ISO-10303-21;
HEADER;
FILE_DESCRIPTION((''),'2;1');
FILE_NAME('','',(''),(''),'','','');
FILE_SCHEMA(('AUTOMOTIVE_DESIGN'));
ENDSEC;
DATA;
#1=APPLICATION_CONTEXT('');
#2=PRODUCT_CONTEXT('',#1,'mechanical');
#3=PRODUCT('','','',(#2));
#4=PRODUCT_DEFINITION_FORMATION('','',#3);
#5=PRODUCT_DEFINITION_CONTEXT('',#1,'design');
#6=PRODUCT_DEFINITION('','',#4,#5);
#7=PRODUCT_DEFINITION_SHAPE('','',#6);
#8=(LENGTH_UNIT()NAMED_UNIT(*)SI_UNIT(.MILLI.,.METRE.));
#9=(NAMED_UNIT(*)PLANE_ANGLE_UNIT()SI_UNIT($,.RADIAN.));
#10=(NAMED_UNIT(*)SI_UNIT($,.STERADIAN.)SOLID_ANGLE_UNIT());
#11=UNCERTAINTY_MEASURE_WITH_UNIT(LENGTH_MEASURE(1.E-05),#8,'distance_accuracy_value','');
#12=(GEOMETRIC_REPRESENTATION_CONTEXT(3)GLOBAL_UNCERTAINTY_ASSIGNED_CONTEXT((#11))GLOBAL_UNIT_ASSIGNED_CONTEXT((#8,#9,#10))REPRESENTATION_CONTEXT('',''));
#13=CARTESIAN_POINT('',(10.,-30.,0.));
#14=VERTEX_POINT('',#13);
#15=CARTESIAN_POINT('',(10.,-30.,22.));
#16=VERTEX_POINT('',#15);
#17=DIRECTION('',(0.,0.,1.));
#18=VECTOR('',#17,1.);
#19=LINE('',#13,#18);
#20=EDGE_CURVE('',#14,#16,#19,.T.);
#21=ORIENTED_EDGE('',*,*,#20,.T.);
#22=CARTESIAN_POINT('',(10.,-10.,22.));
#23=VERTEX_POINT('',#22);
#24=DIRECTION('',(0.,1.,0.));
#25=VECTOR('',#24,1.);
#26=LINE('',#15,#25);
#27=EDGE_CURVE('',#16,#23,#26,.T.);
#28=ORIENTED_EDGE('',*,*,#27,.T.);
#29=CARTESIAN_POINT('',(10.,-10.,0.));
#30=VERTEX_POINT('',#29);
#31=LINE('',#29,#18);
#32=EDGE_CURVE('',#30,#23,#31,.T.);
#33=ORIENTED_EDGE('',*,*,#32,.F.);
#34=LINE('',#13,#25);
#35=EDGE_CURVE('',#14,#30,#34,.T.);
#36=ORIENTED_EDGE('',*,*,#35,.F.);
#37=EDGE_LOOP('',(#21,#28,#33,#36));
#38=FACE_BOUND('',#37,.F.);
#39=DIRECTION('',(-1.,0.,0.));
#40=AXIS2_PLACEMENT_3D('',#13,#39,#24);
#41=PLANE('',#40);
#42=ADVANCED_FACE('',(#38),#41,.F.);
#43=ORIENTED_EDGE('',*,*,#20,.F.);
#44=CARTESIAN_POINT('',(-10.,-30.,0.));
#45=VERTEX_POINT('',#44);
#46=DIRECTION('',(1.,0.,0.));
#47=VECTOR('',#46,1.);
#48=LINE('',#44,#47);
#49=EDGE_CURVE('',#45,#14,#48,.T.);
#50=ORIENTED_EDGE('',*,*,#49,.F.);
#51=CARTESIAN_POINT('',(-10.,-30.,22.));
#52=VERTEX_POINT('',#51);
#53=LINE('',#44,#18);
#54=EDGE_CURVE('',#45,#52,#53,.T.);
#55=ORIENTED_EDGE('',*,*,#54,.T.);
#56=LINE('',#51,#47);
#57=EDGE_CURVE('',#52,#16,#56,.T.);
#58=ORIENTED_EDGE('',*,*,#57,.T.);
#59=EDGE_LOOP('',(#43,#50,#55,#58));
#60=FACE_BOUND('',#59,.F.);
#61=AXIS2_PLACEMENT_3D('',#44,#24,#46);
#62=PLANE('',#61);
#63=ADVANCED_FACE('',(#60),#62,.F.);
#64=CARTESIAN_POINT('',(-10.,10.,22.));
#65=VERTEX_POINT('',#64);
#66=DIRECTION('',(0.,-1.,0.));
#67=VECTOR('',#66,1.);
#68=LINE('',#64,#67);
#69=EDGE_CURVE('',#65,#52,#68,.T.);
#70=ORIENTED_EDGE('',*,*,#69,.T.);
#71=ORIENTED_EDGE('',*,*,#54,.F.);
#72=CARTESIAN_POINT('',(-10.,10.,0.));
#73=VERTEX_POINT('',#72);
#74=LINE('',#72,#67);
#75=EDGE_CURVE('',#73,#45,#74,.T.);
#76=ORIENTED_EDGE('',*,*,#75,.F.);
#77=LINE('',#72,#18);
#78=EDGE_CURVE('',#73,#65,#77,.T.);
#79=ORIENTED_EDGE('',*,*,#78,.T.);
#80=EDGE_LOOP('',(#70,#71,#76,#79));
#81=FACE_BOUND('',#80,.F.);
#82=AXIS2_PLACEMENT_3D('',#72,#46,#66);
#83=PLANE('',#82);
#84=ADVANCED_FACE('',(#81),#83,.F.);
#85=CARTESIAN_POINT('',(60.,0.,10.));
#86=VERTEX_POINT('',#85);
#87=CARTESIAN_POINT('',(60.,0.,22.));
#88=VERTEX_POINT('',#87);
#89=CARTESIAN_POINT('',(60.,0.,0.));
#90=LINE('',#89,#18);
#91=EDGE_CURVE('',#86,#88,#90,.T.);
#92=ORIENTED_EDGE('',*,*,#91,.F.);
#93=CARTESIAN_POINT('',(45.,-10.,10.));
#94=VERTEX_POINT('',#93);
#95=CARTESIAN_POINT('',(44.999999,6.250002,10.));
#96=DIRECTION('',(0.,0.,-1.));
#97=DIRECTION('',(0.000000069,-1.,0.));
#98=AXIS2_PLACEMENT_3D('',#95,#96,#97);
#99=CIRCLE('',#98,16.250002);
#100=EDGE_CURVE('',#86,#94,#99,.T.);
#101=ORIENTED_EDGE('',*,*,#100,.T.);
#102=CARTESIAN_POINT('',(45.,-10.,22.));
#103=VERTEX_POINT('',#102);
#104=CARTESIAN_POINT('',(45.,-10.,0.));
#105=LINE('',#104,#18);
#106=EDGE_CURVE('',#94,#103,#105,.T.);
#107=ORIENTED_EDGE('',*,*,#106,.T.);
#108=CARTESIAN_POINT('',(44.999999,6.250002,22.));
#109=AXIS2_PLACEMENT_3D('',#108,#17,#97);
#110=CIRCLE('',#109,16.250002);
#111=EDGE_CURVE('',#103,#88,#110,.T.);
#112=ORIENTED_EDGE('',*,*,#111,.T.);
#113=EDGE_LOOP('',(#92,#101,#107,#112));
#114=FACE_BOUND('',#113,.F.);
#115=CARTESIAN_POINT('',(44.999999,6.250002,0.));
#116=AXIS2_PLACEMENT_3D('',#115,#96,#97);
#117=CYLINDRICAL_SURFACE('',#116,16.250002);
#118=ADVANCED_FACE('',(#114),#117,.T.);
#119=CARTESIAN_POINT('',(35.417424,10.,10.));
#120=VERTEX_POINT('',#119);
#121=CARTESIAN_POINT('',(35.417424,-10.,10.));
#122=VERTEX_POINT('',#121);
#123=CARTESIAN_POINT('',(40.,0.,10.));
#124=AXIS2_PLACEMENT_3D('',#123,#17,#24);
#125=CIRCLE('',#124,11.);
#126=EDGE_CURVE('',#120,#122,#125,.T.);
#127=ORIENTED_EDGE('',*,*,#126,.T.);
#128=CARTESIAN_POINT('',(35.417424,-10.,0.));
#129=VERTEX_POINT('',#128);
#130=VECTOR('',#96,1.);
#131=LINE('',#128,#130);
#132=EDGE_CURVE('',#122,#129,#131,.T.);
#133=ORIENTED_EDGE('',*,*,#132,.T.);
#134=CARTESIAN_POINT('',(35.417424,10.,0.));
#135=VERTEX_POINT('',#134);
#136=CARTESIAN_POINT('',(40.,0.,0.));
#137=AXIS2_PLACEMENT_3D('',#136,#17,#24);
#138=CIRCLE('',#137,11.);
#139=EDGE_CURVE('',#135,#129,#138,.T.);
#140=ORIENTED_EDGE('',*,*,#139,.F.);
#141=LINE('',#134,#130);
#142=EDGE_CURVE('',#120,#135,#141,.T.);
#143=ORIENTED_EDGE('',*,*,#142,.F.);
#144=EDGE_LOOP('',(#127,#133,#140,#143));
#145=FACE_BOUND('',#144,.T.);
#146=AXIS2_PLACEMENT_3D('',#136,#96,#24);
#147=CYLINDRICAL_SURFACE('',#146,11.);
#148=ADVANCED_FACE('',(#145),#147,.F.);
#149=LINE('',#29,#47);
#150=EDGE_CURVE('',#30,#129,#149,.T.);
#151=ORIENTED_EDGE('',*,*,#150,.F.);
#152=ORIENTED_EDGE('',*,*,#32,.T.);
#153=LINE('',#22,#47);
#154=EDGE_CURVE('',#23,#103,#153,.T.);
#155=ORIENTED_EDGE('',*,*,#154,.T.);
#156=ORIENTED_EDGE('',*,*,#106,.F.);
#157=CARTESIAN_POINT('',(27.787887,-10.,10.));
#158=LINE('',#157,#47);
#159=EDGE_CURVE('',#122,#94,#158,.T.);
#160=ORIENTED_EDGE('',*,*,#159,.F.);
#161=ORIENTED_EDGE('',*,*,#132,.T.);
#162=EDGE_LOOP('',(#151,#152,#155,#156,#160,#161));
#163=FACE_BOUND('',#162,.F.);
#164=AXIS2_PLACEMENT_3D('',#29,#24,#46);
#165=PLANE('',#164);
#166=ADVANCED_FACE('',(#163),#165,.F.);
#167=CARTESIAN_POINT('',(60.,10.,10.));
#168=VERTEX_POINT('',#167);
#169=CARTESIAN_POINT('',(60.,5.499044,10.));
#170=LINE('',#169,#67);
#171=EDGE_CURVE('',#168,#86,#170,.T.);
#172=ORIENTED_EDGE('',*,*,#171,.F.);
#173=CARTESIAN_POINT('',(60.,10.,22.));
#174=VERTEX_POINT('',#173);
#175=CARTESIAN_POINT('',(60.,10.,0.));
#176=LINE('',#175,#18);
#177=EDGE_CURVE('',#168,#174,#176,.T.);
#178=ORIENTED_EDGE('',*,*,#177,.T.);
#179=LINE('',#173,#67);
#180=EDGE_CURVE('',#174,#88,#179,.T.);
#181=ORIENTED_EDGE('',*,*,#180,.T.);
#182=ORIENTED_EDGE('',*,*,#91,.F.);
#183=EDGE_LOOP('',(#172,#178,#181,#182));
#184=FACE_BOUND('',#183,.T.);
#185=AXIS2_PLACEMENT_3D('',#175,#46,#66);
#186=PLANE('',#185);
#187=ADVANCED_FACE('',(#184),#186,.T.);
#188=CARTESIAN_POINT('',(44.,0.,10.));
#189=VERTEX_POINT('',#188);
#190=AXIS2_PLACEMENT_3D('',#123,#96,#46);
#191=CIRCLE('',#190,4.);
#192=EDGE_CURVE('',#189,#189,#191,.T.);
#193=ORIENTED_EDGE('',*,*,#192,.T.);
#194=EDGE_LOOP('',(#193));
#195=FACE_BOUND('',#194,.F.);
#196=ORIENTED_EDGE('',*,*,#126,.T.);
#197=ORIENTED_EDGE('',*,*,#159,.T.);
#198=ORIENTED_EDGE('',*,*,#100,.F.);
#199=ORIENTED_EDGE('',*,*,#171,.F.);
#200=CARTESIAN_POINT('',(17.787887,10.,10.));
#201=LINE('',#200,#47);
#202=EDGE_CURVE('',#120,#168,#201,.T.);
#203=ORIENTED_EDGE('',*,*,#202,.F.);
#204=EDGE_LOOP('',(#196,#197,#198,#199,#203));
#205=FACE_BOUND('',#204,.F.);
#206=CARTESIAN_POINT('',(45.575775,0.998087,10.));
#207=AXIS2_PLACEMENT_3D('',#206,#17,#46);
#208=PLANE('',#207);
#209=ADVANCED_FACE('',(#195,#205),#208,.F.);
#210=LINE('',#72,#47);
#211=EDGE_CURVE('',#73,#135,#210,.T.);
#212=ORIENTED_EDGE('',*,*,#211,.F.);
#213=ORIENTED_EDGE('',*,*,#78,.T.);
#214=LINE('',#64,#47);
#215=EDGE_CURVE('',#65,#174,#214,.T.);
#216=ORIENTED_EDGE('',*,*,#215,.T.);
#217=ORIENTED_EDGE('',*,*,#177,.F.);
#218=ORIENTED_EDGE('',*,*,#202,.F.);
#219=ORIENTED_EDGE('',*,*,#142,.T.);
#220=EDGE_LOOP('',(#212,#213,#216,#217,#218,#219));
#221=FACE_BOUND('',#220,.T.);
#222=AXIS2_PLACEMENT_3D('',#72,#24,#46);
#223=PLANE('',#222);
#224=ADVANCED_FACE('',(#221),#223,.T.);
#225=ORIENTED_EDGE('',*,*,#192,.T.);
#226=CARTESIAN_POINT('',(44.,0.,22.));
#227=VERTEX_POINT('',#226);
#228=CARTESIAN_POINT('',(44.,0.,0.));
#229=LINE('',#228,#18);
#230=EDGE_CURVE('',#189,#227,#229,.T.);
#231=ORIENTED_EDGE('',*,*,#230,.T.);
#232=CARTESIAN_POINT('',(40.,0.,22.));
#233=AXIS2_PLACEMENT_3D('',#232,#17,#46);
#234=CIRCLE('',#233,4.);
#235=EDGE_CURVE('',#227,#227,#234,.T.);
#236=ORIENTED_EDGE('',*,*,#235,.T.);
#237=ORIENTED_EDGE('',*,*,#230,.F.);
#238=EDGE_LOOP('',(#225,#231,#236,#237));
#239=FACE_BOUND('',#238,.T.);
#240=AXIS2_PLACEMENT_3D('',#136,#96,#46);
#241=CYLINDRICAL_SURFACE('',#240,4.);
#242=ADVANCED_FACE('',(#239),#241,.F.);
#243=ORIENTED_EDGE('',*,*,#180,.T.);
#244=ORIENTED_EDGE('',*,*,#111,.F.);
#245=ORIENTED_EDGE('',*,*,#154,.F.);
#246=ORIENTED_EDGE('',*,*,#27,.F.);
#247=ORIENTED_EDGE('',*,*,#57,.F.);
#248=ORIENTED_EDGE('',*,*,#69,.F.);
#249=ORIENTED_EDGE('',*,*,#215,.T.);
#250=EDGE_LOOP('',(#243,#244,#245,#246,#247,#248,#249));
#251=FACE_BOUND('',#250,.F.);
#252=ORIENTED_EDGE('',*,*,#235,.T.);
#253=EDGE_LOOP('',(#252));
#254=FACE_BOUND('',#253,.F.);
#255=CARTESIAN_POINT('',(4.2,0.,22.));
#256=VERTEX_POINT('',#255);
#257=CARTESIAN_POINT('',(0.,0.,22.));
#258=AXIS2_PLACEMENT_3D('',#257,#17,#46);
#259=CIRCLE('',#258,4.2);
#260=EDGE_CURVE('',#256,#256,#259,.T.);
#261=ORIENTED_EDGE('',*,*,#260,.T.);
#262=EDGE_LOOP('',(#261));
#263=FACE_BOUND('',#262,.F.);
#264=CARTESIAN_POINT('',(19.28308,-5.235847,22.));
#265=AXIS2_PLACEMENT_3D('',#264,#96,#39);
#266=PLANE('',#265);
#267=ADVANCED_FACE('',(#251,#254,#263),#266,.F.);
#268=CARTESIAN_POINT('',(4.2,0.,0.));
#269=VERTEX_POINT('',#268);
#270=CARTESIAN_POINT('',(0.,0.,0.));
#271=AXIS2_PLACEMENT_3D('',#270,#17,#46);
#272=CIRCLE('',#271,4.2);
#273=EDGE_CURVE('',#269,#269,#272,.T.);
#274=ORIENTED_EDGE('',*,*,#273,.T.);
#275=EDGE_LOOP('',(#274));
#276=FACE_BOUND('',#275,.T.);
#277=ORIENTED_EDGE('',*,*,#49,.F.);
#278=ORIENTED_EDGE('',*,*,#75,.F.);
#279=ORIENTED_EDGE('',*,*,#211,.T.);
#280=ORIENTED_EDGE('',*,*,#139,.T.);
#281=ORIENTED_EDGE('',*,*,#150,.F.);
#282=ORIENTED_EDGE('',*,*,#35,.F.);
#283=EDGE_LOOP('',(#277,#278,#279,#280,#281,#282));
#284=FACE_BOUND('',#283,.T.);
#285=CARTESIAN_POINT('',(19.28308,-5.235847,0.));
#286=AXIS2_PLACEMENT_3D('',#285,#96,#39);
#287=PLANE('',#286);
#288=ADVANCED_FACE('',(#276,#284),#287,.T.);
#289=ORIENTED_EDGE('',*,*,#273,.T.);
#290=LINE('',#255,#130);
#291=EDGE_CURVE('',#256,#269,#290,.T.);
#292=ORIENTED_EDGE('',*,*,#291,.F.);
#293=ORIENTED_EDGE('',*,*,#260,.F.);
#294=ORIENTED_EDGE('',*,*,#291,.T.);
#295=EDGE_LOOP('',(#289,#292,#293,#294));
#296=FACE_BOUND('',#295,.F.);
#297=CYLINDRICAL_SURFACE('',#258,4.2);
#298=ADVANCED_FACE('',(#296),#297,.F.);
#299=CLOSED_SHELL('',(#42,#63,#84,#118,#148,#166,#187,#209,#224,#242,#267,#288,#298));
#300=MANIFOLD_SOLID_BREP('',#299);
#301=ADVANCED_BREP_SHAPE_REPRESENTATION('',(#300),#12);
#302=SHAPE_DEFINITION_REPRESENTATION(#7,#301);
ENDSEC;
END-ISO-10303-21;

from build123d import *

# Parameters (mm, degrees)
PAD_DEPTH       = 22
SKETCH001_R     = 4
POCKET_DEPTH    = 22
POCKET001_DEPTH = 10
SKETCH002_R     = 4.2
POCKET002_DEPTH = 22


with BuildPart() as part:
    # Sketch → Pad (new body)
    with BuildSketch(Plane.XY):
        with BuildLine():
            Line((-10, 10), (60, 10))
            Line((60, 10), (60, 0))
            ThreePointArc((45, -10), (54.013878, -7.270817), (60, 0))
            Line((10, -10), (45, -10))
            Line((10, -30), (10, -10))
            Line((-10, -30), (10, -30))
            Line((-10, 10), (-10, -30))
        make_face()
    extrude(amount=PAD_DEPTH)

    # Sketch001 → Pocket (cut)
    with BuildSketch(Plane.XY):
        with Locations((40, 0)):
            Circle(SKETCH001_R)
    extrude(amount=POCKET_DEPTH, mode=Mode.SUBTRACT)

    # Sketch004 → Pocket001 (cut)
    with BuildSketch(Plane.XY):
        with BuildLine():
            ThreePointArc((40, 11), (29, 0), (40, -11))
            Line((40, -11), (45, -11))
            ThreePointArc((45, -11), (54.340905, -7.958424), (60.1, 0))
            Line((60.1, 11), (60.1, 0))
            Line((40, 11), (60.1, 11))
        make_face()
    extrude(amount=POCKET001_DEPTH, mode=Mode.SUBTRACT)

    # Sketch002 → Pocket002 (cut)
    with BuildSketch(Plane.XY.offset(22)):
        Circle(SKETCH002_R)
    extrude(amount=-POCKET002_DEPTH, mode=Mode.SUBTRACT)


solid = part.part
